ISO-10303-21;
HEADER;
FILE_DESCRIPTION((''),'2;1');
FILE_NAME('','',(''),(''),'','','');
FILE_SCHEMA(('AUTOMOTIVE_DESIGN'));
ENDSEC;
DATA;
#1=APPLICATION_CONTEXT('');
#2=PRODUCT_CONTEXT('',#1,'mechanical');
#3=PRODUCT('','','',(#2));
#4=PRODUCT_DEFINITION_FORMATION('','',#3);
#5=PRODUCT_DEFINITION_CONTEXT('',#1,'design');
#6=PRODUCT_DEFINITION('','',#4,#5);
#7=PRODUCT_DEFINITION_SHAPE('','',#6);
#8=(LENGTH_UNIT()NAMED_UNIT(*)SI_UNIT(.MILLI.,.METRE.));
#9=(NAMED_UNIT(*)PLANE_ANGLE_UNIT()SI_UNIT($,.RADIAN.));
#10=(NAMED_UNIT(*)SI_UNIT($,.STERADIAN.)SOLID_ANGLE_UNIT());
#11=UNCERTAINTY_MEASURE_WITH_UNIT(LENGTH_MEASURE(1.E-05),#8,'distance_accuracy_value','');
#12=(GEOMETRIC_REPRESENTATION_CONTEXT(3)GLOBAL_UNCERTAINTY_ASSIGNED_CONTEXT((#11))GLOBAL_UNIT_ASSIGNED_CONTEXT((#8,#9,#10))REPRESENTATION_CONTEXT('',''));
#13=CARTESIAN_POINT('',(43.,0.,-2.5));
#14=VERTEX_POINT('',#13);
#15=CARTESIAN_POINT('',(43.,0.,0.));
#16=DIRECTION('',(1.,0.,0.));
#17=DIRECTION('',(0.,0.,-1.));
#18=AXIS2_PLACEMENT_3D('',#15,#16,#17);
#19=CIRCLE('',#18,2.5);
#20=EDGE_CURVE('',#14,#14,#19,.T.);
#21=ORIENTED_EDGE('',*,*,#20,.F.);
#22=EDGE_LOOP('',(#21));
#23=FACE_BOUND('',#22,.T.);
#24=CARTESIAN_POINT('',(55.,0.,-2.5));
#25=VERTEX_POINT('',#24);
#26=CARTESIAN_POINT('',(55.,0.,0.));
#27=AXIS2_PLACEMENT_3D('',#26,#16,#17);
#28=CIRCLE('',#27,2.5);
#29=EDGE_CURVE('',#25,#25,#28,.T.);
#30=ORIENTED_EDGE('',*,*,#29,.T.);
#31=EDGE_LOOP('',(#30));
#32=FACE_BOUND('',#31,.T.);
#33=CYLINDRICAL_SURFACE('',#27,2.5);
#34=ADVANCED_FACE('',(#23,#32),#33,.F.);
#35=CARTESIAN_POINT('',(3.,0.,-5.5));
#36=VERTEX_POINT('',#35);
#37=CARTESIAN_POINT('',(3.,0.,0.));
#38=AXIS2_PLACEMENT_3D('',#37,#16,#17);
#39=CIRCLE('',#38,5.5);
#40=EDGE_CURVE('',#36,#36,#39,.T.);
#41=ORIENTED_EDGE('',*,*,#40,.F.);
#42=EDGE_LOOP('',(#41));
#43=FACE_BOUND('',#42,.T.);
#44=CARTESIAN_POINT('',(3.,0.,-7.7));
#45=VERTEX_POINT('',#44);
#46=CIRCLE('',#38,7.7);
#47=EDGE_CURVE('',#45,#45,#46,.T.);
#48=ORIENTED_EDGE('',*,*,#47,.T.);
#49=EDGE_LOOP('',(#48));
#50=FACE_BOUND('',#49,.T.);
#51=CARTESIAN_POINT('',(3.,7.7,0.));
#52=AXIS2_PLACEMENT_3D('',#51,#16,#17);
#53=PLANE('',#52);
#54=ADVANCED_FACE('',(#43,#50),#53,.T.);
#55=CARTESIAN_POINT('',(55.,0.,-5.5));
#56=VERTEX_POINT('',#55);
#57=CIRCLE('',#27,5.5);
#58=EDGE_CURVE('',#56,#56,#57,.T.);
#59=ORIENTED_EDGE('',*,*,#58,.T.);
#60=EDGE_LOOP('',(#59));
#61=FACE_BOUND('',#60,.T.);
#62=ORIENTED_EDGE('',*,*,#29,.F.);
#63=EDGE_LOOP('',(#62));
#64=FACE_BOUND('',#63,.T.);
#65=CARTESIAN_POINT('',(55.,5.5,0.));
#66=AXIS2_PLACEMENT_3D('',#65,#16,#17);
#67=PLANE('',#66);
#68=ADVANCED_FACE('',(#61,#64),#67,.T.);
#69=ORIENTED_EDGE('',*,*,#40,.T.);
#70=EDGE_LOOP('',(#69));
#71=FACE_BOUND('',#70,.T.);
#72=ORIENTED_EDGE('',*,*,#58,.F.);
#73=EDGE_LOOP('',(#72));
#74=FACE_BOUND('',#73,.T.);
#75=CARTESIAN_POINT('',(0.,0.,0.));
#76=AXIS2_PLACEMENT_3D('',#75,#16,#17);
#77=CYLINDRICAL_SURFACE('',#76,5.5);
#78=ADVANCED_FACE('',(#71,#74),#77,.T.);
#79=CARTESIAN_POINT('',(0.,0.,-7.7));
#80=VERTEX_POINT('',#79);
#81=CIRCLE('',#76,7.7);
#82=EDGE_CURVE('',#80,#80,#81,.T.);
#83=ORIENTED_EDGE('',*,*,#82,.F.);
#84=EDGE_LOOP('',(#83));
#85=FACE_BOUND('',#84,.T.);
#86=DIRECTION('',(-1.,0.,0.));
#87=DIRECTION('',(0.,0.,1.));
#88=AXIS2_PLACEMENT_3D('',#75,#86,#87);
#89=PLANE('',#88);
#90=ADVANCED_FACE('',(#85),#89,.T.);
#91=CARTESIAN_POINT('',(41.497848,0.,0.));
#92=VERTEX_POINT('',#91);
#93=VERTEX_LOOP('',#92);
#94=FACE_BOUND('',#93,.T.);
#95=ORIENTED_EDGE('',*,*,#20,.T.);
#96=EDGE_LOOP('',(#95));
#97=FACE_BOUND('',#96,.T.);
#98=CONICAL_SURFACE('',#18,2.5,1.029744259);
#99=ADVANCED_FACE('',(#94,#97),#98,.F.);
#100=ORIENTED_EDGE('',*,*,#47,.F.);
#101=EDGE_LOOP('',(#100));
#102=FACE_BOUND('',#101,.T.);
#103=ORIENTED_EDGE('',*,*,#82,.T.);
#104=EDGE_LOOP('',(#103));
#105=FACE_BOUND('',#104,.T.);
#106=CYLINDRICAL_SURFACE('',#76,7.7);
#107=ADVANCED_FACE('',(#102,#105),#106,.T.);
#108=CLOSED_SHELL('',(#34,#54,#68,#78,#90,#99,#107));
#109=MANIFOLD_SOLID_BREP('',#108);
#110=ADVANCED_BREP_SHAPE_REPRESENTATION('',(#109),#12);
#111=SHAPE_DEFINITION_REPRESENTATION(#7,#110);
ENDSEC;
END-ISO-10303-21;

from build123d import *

# Parameters (mm, degrees)
BROCA_DE_ROSQUEAR_PARA_TARRAXA_DE_M61_D     = 5
BROCA_DE_ROSQUEAR_PARA_TARRAXA_DE_M61_DEPTH = 12
BROCA_DE_ROSQUEAR_PARA_TARRAXA_DE_M61_TIP   = 1.502151548


with BuildPart() as part:
    # Sketch1 → Revolve1 (revolve)
    with BuildSketch(Plane.XY, mode=Mode.PRIVATE) as revolve1_sk:
        Polygon((0, 0), (0, 7.7), (3, 7.7), (3, 5.5), (55, 5.5), (55, 0), align=None)
    revolve(revolve1_sk.sketch.rotate(Axis((0, 0, 0), (-1, 0, 0)), 90), axis=Axis((0, 0, 0), (-1, 0, 0)))

    # Broca de rosquear para tarraxa de M61
    with Locations(Plane(origin=(55, 0, 0), x_dir=(0, 0, -1), z_dir=(1, 0, 0))):
        with Locations((0, 0)):
            Hole(BROCA_DE_ROSQUEAR_PARA_TARRAXA_DE_M61_D / 2, depth=BROCA_DE_ROSQUEAR_PARA_TARRAXA_DE_M61_DEPTH)
            with Locations((0, 0, -(BROCA_DE_ROSQUEAR_PARA_TARRAXA_DE_M61_DEPTH + BROCA_DE_ROSQUEAR_PARA_TARRAXA_DE_M61_TIP / 2))):  # 118° drill point
                Cone(0, BROCA_DE_ROSQUEAR_PARA_TARRAXA_DE_M61_D / 2, BROCA_DE_ROSQUEAR_PARA_TARRAXA_DE_M61_TIP, mode=Mode.SUBTRACT)


solid = part.part
